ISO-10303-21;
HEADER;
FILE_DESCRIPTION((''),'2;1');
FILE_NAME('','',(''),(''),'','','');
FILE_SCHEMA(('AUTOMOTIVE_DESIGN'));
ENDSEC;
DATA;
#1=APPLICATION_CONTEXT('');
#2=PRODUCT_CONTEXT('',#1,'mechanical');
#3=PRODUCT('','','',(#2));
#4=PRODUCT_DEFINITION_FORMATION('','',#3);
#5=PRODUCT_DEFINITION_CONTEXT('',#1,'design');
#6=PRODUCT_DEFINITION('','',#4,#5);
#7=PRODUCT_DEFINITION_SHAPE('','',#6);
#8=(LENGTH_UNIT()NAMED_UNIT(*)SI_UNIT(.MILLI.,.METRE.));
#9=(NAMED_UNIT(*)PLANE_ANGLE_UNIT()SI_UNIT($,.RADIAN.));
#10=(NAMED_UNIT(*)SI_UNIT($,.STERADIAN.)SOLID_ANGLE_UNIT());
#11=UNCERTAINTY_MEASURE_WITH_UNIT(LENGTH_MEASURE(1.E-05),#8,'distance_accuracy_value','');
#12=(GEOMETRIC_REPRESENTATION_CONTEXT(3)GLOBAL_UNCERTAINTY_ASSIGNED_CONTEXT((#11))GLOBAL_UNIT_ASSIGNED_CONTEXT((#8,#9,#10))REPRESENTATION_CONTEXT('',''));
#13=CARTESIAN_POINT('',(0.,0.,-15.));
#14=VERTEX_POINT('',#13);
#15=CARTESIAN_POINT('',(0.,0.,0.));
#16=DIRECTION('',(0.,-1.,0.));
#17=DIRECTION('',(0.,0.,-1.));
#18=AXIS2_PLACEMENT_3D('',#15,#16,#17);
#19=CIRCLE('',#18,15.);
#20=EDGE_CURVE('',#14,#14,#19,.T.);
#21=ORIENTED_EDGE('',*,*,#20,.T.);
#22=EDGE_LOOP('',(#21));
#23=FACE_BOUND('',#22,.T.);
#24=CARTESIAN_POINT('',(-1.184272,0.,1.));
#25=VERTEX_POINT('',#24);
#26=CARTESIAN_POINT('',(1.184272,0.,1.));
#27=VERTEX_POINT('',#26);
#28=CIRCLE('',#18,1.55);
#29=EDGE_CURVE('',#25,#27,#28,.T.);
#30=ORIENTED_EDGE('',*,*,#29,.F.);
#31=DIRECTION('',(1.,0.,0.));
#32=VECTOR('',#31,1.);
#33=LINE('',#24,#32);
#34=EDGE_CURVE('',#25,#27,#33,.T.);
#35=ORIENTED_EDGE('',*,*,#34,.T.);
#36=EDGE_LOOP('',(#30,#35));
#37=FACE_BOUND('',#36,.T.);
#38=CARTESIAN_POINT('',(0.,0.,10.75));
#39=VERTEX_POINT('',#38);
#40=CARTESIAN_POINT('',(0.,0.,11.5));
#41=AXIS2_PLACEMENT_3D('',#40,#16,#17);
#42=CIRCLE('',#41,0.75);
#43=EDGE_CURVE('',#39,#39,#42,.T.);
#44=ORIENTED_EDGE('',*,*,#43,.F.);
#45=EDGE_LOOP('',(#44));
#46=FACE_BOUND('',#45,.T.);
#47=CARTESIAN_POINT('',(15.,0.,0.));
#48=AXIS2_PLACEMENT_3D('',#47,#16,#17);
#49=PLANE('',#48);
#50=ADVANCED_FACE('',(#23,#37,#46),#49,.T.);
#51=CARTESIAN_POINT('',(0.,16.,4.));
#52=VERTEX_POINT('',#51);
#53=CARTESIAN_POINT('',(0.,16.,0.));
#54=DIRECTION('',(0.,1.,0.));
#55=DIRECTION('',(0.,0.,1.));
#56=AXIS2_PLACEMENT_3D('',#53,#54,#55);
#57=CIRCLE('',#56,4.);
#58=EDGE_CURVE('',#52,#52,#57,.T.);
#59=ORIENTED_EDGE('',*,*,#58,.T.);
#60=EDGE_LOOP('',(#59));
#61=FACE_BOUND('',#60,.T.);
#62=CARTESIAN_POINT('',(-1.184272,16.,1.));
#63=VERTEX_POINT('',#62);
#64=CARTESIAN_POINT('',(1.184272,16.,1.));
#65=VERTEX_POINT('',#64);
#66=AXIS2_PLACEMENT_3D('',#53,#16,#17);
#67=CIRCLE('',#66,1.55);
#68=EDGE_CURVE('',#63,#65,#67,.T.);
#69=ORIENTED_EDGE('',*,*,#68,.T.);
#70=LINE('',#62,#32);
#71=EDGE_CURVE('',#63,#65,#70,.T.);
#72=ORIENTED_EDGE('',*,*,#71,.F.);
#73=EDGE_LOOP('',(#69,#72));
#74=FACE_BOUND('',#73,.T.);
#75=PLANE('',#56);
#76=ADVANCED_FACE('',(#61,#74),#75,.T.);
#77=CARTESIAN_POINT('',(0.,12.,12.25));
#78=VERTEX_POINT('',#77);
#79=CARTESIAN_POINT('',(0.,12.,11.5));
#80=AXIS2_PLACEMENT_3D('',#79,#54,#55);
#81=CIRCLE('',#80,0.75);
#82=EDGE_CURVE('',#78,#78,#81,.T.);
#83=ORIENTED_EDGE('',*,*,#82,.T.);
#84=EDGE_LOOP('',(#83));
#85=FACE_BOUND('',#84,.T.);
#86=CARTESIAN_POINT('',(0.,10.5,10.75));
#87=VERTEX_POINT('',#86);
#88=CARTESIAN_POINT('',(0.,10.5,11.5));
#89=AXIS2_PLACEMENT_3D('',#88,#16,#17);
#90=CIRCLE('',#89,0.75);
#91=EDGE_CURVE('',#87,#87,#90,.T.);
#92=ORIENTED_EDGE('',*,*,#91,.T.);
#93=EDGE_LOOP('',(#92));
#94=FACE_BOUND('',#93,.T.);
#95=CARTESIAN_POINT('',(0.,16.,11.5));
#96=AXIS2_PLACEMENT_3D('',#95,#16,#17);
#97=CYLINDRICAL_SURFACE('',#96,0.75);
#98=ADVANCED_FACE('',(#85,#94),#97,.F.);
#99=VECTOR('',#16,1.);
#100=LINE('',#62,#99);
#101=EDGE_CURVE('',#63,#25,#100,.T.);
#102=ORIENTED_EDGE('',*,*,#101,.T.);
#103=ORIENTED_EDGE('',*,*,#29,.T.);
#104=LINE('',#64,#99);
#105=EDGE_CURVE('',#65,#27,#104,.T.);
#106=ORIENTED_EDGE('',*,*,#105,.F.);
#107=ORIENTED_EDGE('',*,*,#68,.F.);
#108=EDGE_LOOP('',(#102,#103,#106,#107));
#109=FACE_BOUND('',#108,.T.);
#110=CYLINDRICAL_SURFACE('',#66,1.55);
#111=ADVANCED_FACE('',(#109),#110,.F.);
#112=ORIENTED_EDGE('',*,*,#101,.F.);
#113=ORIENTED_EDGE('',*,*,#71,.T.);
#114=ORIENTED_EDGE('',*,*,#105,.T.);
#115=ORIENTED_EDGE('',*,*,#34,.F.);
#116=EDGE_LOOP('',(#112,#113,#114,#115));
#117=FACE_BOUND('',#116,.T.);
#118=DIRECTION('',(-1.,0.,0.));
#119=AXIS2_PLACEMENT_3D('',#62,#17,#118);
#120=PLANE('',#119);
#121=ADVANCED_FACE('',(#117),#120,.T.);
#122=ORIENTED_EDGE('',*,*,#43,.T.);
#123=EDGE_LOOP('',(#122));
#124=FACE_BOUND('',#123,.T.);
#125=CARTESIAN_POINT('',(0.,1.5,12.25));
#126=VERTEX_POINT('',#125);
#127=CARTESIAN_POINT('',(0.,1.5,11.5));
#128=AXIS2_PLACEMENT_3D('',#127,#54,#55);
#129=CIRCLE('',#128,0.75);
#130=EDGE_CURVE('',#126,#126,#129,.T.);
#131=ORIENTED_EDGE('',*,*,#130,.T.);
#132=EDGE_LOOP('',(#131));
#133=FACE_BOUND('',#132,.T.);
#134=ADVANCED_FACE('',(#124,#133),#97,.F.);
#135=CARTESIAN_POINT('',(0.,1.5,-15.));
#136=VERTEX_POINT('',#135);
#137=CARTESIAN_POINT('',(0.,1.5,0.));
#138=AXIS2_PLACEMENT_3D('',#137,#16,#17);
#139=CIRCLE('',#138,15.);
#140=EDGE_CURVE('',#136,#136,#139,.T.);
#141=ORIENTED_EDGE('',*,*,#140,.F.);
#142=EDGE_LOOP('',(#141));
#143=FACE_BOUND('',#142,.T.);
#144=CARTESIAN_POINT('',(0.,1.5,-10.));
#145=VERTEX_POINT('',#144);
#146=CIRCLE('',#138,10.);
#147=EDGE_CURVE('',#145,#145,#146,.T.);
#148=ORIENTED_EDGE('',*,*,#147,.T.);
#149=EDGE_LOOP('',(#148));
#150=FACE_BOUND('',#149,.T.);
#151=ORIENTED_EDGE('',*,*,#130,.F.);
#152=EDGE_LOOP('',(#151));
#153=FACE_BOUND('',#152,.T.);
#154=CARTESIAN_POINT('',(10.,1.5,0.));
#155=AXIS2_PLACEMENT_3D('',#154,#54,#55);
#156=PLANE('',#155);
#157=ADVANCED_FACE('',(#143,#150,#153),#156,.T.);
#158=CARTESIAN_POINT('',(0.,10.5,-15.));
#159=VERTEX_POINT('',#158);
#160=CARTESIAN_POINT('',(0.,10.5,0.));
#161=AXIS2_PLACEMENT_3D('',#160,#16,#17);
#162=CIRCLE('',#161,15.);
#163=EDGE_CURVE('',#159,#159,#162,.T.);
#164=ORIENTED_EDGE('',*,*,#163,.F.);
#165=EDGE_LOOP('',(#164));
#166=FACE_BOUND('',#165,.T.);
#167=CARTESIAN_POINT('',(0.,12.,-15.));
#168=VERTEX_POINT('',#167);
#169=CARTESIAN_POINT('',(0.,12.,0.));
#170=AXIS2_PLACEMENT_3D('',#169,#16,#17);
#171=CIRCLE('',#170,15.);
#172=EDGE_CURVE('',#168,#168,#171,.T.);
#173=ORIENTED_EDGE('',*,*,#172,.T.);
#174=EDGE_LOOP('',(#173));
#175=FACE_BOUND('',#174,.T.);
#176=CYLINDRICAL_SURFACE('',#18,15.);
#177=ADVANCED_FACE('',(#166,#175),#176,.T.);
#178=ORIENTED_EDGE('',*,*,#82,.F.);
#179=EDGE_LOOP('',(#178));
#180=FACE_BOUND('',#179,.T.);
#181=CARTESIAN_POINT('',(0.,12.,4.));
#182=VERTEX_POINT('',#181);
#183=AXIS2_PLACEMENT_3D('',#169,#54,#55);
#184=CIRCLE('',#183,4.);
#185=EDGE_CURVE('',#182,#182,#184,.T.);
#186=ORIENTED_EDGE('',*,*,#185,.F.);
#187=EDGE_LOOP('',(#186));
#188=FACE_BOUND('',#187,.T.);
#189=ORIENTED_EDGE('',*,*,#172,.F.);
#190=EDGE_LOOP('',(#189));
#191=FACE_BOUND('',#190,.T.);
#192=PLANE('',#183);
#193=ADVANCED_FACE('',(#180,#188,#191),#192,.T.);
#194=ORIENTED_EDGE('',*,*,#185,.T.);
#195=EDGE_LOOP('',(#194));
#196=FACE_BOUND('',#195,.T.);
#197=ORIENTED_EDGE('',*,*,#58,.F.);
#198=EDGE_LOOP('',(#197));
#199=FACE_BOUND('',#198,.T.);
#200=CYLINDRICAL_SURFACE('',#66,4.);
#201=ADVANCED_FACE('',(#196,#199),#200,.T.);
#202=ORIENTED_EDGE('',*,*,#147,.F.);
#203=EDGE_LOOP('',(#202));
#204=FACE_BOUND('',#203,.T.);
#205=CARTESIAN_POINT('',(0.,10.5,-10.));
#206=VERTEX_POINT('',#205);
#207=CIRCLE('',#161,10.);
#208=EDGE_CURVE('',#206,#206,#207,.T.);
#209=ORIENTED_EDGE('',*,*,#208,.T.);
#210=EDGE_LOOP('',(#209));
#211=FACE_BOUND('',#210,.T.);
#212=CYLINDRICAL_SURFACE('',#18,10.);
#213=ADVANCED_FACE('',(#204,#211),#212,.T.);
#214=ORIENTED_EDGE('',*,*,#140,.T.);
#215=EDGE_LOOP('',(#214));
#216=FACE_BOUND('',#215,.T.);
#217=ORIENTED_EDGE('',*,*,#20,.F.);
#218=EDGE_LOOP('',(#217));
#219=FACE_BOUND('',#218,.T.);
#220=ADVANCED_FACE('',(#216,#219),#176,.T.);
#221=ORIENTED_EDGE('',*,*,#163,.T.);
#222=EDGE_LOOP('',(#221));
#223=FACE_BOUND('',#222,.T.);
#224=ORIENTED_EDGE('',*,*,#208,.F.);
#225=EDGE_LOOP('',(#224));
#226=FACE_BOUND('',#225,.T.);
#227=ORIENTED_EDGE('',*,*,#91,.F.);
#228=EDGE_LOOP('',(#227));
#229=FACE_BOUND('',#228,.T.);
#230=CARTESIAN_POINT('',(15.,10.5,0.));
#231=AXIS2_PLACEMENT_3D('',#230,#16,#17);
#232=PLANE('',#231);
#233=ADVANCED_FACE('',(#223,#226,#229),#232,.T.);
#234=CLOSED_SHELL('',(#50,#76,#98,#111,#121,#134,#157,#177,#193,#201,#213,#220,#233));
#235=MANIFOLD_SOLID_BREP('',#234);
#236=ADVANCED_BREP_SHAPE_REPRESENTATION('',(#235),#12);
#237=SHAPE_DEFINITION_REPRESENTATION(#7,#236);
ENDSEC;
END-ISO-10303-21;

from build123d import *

# Parameters (mm, degrees)
SKETCH2_R           = 4
BOSS_EXTRUDE1_DEPTH = 4
CUT_EXTRUDE1_DEPTH  = 16
SKETCH4_R           = 0.75
CUT_EXTRUDE2_DEPTH  = 16


with BuildPart() as part:
    # Sketch1 → Revolve1 (revolve)
    with BuildSketch(Plane.XY, mode=Mode.PRIVATE) as revolve1_sk:
        Polygon((0, 0), (0, 12), (15, 12), (15, 10.5), (10, 10.5), (10, 1.5), (15, 1.5), (15, 0), align=None)
    revolve(revolve1_sk.sketch.rotate(Axis((0, 0, 0), (0, 1, 0)), 90), axis=Axis((0, 0, 0), (0, 1, 0)))

    # Sketch2 → Boss-Extrude1 (add)
    with BuildSketch(Plane(origin=(0, 12, 0), x_dir=(1, 0, 0), z_dir=(0, 1, 0))):
        with Locations(Location((0, 0, 0), (0, 0, 270))):
            Circle(SKETCH2_R)
    extrude(amount=BOSS_EXTRUDE1_DEPTH)

    # Sketch3 → Cut-Extrude1 (cut)
    with BuildSketch(Plane.XZ):
        with BuildLine():
            Line((-1.184271928, 1), (1.184271928, 1))
            ThreePointArc((1.184271928, 1), (0, -1.55), (-1.184271928, 1))
        make_face()
    extrude(amount=-CUT_EXTRUDE1_DEPTH, mode=Mode.SUBTRACT)

    # Sketch4 → Cut-Extrude2 (cut)
    with BuildSketch(Plane.XZ):
        with Locations(Location((0, 11.5, 0), (0, 0, 270))):
            Circle(SKETCH4_R)
    extrude(amount=-CUT_EXTRUDE2_DEPTH, mode=Mode.SUBTRACT)


solid = part.part
